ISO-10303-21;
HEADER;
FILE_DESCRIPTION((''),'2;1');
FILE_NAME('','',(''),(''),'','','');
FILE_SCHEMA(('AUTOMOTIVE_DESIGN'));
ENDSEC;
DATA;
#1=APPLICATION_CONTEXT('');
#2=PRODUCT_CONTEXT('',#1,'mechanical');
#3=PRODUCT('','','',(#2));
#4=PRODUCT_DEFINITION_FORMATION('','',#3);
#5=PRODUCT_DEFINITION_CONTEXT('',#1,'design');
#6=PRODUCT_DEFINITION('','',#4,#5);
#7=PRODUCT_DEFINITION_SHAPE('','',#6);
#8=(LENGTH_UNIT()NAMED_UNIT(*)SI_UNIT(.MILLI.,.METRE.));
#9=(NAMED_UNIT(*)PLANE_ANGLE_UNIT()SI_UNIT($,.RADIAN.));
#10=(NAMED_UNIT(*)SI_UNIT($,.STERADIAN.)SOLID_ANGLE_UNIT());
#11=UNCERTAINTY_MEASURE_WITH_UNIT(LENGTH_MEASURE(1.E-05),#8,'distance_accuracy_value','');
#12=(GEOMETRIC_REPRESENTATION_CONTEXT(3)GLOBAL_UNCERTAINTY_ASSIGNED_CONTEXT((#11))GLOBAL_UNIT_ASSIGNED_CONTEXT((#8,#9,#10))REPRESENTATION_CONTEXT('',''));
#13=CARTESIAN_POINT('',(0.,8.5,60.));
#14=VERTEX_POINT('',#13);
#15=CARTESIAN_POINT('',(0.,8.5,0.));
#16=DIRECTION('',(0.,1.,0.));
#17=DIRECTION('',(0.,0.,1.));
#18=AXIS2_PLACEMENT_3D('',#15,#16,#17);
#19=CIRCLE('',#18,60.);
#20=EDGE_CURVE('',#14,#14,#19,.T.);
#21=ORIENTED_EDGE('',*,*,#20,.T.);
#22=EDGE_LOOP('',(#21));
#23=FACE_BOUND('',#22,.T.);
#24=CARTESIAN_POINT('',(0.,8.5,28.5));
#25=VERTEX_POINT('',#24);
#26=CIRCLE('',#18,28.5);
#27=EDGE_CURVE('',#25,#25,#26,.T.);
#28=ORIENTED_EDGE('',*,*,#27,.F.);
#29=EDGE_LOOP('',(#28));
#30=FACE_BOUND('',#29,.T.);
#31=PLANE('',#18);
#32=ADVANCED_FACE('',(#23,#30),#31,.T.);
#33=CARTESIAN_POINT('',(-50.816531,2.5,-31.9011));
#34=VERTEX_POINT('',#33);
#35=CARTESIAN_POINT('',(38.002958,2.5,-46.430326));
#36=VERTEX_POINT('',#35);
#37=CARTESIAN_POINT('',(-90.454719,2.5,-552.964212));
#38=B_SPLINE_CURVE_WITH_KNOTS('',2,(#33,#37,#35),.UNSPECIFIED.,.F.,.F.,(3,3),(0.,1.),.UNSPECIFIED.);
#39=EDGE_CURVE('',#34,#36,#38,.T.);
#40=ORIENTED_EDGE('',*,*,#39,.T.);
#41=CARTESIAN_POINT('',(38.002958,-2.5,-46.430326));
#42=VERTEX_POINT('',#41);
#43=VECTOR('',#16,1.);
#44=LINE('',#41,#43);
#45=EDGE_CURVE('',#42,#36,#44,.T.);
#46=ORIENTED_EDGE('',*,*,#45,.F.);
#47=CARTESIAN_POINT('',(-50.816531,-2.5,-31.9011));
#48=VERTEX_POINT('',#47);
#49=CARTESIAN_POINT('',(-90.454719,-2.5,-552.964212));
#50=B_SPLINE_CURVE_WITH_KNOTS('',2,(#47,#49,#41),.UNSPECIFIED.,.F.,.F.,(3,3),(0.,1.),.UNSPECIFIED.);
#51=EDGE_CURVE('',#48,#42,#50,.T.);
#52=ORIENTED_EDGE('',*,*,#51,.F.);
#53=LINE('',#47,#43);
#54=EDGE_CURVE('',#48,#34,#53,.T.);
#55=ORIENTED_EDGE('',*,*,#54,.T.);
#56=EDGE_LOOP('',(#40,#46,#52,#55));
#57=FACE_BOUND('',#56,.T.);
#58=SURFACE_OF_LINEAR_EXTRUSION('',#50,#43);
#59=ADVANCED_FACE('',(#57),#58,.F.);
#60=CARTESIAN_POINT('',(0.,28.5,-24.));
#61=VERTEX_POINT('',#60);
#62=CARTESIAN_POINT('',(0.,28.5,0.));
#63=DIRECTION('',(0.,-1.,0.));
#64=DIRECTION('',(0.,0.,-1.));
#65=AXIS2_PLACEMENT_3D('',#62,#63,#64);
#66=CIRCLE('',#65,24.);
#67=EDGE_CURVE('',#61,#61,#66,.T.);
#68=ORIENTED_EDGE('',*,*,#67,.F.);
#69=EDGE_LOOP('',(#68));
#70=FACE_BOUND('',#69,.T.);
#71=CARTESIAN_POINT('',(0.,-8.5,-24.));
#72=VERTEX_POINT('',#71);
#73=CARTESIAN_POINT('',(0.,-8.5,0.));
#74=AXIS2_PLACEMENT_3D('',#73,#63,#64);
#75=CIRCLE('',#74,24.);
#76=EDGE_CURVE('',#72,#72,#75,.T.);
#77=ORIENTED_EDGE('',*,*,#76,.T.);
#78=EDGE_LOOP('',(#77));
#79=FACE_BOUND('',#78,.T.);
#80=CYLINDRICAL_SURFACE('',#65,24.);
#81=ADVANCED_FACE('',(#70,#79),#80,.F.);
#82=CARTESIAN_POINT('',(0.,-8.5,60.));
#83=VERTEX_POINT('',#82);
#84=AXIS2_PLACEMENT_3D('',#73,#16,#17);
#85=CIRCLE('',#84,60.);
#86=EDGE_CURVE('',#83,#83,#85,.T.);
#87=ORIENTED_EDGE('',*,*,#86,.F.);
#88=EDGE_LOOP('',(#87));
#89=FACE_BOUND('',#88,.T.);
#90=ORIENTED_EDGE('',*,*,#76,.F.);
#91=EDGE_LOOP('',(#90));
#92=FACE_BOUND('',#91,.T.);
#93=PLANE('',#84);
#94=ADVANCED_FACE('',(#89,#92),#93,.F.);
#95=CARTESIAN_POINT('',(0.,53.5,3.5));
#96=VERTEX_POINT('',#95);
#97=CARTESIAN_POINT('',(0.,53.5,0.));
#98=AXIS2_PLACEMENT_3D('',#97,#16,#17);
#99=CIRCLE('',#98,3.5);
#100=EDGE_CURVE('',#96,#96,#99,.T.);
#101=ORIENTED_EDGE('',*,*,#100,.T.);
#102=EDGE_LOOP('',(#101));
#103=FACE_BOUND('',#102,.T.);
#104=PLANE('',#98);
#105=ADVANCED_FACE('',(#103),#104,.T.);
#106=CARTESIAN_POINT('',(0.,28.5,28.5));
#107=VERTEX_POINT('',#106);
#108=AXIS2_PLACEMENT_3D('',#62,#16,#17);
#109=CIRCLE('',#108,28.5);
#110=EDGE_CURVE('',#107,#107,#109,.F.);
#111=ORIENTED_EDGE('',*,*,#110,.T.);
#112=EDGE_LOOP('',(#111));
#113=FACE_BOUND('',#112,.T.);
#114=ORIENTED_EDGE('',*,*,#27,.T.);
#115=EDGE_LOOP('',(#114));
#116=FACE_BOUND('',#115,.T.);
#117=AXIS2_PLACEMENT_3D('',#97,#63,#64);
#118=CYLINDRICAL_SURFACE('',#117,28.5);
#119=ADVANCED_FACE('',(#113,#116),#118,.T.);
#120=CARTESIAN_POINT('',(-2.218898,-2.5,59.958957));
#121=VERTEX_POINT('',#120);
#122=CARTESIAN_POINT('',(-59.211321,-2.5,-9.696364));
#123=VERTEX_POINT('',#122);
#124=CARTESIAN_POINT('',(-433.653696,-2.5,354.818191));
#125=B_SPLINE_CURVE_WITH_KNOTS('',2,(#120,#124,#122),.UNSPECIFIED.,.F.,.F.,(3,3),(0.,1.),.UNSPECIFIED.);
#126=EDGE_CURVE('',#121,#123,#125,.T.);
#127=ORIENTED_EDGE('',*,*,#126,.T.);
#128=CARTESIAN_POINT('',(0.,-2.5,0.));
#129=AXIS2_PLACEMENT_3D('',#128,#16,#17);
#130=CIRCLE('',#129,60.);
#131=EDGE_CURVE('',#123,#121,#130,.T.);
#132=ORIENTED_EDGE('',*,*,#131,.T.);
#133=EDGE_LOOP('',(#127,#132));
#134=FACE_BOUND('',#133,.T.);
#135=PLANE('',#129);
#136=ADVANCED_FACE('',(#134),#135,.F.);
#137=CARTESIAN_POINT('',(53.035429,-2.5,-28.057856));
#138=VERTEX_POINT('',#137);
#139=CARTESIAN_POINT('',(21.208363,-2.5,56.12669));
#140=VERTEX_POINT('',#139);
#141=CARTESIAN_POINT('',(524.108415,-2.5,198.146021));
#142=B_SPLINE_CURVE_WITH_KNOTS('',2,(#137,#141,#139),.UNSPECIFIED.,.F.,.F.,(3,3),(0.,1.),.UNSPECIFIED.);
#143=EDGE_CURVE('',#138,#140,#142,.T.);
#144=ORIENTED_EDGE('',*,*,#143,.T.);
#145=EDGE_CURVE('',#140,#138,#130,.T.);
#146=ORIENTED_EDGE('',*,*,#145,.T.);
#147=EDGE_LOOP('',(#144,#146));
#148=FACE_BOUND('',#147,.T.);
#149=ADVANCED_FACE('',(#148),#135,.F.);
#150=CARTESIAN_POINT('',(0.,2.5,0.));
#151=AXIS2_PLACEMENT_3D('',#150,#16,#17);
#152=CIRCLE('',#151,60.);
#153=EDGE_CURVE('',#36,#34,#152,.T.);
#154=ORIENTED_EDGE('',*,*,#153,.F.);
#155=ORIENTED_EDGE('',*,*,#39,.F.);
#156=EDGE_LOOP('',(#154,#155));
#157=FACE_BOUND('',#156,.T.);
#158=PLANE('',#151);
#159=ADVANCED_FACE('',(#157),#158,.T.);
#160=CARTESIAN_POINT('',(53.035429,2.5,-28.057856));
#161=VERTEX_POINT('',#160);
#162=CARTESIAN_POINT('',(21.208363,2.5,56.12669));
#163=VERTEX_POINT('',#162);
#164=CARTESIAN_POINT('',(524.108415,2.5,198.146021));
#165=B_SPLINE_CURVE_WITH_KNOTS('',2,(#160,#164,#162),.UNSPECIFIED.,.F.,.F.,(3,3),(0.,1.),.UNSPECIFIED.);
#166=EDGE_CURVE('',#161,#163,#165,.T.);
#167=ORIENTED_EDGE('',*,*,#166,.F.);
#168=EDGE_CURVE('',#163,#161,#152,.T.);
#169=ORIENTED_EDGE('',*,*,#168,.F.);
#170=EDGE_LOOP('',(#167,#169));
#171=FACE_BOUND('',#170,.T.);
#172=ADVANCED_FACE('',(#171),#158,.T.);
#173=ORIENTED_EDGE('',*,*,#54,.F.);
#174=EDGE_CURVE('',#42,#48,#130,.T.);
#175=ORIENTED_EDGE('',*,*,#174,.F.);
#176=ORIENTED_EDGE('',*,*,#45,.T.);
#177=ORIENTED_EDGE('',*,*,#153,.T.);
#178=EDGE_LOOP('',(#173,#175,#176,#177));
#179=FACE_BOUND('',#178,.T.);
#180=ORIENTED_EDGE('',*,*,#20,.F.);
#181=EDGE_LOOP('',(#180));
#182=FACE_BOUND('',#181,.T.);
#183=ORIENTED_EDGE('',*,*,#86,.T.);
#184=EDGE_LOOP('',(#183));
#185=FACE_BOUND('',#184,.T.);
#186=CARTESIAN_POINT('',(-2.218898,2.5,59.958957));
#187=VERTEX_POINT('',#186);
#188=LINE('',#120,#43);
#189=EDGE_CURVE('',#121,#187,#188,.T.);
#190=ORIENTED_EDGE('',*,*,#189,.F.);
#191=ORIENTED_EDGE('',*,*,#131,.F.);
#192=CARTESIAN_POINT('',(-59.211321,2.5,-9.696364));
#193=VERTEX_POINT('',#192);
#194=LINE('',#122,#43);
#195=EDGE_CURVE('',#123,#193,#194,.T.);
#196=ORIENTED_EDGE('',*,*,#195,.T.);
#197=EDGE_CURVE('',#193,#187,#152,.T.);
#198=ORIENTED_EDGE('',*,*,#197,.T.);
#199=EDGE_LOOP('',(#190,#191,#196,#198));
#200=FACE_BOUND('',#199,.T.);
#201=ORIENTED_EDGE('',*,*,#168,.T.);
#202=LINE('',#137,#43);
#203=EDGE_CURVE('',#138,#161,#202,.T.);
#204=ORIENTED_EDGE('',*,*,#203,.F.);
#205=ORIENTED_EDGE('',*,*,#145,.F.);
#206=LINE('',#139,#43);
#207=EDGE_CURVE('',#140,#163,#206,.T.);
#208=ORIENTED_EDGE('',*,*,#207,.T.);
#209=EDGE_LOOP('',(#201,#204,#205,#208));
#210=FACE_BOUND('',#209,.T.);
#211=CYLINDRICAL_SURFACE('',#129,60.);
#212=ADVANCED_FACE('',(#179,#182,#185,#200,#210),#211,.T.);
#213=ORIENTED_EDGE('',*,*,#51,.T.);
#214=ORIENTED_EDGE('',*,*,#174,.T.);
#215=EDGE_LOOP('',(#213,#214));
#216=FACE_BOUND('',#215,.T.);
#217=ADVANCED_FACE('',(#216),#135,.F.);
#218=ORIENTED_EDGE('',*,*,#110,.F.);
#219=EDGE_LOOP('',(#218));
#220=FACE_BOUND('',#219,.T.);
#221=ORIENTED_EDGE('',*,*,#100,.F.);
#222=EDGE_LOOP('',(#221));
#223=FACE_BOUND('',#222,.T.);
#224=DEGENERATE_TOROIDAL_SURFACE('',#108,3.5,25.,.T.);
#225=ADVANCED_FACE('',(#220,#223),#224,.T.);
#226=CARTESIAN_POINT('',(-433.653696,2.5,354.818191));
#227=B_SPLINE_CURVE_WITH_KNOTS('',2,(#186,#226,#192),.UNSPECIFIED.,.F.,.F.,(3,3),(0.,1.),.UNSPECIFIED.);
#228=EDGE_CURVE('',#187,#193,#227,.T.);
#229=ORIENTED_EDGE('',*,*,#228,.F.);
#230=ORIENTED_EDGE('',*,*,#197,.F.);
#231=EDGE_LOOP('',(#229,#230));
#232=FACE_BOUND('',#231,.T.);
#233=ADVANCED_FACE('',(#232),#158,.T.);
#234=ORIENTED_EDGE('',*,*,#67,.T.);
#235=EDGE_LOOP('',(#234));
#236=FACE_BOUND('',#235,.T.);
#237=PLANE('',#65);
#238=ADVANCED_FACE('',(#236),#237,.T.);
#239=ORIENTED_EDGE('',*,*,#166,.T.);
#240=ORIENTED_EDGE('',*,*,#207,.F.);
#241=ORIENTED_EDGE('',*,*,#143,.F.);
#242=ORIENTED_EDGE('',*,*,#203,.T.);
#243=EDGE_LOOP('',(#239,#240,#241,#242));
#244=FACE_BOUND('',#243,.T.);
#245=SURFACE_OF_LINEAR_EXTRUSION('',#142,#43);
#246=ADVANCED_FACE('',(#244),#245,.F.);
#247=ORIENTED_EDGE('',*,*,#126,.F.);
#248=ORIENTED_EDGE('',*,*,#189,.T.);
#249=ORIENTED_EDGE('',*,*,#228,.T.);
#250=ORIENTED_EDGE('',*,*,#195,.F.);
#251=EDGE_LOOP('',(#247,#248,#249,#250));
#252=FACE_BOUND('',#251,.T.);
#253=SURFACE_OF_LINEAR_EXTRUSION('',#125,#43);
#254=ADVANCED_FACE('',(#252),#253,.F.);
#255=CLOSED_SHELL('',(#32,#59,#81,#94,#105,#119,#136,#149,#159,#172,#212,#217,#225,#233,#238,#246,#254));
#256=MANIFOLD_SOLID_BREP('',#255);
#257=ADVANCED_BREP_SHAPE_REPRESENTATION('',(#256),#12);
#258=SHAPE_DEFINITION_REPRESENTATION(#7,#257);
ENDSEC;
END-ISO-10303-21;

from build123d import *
from build123d.topology import SkipClean

# Parameters (mm, degrees)
BOSS_EXTRUDE1_DEPTH      = 2.5
BOSS_EXTRUDE1_DEPTH_BACK = 2.5
BOSS_EXTRUDE2_DEPTH      = 6
BOSS_EXTRUDE2_DEPTH_BACK = 11
SKETCH3_R                = 60
SKETCH4_R                = 28.5
BOSS_EXTRUDE5_DEPTH      = 45
FILLET4_R                = 25
SKETCH5_R                = 24
CUT_EXTRUDE2_DEPTH       = 37


with BuildPart() as part:
    # Sketch1 → Boss-Extrude1 (new, two sides: drawn at the far end of the back side and taken through both)
    with BuildSketch(Plane(origin=(0, 0, 0), x_dir=(1, 0, 0), z_dir=(0, 1, 0)).offset(-BOSS_EXTRUDE1_DEPTH_BACK)):
        with BuildLine():
            ThreePointArc((-50.816530808, 31.901100241), (-56.123031071, 21.218043817), (-59.211320918, 9.696364016))
            add(Edge.make_bspline(
                [(-2.218897813, -59.958956733), (-433.653695627, -354.818191007), (-59.211320918, 9.696364016)],
                knots=[0, 0, 0, 1, 1, 1], degree=2))
            ThreePointArc((-2.218897813, -59.958956733), (9.686150572, -59.212992553), (21.208362897, -56.126690115))
            add(Edge.make_bspline(
                [(53.035428622, 28.057856492), (524.108414951, -198.146021355), (21.208362897, -56.126690115)],
                knots=[0, 0, 0, 1, 1, 1], degree=2))
            ThreePointArc((53.035428622, 28.057856492), (46.436880499, 37.994948737), (38.002958021, 46.430326099))
            add(Edge.make_bspline(
                [(-50.816530808, 31.901100241), (-90.454719323, 552.964212362), (38.002958021, 46.430326099)],
                knots=[0, 0, 0, 1, 1, 1], degree=2))
        make_face()
    extrude(amount=BOSS_EXTRUDE1_DEPTH + BOSS_EXTRUDE1_DEPTH_BACK)

    # Sketch3 → Boss-Extrude2 (add, two sides: drawn at the far end of the back side and taken through both)
    with SkipClean():  # the faces are left unmerged after this step: merging them gives an invalid solid
        with BuildSketch(Plane(origin=(0, 2.5, 0), x_dir=(1, 0, 0), z_dir=(0, 1, 0)).offset(-BOSS_EXTRUDE2_DEPTH_BACK)):
            Circle(SKETCH3_R)
        extrude(amount=BOSS_EXTRUDE2_DEPTH + BOSS_EXTRUDE2_DEPTH_BACK)

    # Sketch4 → Boss-Extrude5 (add)
    with SkipClean():  # the faces are left unmerged after this step: merging them gives an invalid solid
        with BuildSketch(Plane(origin=(0, 8.5, 0), x_dir=(1, 0, 0), z_dir=(0, 1, 0))):
            Circle(SKETCH4_R)
        extrude(amount=BOSS_EXTRUDE5_DEPTH)

    # Fillet4
    fillet4_edges = [part.edges().sort_by_distance(p)[0] for p in [
        (-28.5, 53.5, 0),
    ]]
    fillet(fillet4_edges, radius=FILLET4_R)

    # Sketch5 → Cut-Extrude2 (cut)
    with BuildSketch(Plane.XZ.offset(8.5)):
        Circle(SKETCH5_R)
    extrude(amount=-CUT_EXTRUDE2_DEPTH, mode=Mode.SUBTRACT)


solid = part.part
